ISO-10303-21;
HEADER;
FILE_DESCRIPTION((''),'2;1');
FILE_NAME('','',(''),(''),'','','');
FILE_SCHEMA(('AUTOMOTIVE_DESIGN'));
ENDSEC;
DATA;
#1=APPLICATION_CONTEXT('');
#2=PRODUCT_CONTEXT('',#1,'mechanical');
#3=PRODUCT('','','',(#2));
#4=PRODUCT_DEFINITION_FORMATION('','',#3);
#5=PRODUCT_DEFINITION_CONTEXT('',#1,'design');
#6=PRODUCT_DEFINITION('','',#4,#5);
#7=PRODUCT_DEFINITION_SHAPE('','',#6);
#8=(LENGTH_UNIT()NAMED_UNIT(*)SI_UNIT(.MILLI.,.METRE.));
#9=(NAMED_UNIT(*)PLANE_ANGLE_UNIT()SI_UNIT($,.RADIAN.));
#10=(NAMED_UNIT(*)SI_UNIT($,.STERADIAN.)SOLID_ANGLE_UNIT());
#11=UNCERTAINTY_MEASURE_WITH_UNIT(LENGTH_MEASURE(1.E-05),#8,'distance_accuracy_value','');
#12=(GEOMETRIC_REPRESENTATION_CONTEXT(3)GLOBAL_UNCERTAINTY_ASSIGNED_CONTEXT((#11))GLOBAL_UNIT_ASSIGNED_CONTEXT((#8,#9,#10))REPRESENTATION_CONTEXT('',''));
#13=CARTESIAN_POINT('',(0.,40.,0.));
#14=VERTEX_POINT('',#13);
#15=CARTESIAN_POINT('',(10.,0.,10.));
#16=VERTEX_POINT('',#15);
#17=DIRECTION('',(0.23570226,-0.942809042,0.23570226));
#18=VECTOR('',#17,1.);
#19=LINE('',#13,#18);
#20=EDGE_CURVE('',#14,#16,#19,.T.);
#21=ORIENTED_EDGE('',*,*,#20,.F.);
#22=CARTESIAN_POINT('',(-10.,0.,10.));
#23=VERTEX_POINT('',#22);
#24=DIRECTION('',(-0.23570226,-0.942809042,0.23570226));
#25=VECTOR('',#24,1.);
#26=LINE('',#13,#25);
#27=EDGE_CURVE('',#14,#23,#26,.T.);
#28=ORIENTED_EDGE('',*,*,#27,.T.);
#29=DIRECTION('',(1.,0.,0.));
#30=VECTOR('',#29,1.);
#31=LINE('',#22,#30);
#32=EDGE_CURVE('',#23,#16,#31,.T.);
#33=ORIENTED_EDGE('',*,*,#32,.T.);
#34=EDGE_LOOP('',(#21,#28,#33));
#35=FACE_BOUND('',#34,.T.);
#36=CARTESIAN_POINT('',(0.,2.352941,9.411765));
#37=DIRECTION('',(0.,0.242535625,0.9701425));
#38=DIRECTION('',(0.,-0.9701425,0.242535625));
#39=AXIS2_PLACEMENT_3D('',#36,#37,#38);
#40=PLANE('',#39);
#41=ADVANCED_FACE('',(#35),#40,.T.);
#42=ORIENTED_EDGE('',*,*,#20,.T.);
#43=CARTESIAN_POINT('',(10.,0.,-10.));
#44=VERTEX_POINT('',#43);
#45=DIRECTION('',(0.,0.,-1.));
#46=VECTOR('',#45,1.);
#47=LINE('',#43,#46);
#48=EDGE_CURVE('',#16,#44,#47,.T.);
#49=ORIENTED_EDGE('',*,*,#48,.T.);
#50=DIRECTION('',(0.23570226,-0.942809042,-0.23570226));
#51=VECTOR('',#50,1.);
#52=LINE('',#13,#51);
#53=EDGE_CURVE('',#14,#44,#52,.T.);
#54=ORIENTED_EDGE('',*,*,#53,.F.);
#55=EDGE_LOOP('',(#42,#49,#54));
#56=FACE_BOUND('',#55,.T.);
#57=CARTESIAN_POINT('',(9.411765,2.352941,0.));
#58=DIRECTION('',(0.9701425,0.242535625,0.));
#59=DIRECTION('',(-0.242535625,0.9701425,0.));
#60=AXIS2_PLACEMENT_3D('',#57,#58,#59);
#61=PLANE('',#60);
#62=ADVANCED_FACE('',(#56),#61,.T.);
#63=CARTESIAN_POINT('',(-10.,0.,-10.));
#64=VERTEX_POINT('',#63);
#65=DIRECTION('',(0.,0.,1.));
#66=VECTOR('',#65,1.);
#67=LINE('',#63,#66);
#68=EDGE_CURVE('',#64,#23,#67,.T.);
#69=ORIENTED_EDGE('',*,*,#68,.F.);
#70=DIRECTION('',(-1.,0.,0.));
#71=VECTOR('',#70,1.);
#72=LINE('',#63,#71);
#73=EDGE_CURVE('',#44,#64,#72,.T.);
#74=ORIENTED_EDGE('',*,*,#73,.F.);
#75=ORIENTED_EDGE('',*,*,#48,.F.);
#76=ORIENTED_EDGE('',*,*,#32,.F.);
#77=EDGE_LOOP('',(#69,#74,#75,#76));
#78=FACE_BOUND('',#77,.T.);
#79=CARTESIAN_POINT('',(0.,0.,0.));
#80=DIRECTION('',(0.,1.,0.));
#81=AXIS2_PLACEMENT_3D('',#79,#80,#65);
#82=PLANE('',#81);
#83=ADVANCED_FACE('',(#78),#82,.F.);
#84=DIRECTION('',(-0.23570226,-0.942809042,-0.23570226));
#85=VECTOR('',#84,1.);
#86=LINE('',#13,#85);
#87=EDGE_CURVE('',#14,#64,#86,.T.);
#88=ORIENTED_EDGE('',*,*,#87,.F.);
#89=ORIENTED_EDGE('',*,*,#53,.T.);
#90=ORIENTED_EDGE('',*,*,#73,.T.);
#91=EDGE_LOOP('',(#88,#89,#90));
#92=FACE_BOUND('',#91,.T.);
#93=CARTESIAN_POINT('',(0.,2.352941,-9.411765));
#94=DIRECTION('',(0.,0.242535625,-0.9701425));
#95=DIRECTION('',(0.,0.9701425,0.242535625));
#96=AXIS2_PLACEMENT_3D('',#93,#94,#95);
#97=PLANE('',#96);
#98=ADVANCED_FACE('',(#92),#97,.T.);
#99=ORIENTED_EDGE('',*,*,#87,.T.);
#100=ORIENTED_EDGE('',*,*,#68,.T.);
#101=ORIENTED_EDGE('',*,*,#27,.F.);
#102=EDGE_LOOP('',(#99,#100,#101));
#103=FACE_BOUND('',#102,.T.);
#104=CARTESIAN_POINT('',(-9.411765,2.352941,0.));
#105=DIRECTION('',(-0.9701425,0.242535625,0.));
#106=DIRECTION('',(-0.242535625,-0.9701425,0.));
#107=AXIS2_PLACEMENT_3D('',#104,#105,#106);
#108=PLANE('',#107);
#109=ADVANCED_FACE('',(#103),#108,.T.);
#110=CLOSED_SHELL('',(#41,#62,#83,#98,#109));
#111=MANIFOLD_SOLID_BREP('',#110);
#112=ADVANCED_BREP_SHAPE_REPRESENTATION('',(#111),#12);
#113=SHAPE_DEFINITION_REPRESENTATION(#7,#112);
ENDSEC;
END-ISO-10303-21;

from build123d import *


with BuildPart() as part:
    # 草图1 → 放样1 section 0
    with BuildSketch(Plane(origin=(0, 0, 0), x_dir=(1, 0, 0), z_dir=(0, 1, 0)), mode=Mode.PRIVATE) as loft_1_s0:
        with BuildLine():
            Line((-10, 10), (10, 10))
            Line((10, 10), (10, -10))
            Line((10, -10), (-10, -10))
            Line((-10, -10), (-10, 10))
        make_face()
    loft([Vertex(0, 40, 0), loft_1_s0.sketch])


solid = part.part
